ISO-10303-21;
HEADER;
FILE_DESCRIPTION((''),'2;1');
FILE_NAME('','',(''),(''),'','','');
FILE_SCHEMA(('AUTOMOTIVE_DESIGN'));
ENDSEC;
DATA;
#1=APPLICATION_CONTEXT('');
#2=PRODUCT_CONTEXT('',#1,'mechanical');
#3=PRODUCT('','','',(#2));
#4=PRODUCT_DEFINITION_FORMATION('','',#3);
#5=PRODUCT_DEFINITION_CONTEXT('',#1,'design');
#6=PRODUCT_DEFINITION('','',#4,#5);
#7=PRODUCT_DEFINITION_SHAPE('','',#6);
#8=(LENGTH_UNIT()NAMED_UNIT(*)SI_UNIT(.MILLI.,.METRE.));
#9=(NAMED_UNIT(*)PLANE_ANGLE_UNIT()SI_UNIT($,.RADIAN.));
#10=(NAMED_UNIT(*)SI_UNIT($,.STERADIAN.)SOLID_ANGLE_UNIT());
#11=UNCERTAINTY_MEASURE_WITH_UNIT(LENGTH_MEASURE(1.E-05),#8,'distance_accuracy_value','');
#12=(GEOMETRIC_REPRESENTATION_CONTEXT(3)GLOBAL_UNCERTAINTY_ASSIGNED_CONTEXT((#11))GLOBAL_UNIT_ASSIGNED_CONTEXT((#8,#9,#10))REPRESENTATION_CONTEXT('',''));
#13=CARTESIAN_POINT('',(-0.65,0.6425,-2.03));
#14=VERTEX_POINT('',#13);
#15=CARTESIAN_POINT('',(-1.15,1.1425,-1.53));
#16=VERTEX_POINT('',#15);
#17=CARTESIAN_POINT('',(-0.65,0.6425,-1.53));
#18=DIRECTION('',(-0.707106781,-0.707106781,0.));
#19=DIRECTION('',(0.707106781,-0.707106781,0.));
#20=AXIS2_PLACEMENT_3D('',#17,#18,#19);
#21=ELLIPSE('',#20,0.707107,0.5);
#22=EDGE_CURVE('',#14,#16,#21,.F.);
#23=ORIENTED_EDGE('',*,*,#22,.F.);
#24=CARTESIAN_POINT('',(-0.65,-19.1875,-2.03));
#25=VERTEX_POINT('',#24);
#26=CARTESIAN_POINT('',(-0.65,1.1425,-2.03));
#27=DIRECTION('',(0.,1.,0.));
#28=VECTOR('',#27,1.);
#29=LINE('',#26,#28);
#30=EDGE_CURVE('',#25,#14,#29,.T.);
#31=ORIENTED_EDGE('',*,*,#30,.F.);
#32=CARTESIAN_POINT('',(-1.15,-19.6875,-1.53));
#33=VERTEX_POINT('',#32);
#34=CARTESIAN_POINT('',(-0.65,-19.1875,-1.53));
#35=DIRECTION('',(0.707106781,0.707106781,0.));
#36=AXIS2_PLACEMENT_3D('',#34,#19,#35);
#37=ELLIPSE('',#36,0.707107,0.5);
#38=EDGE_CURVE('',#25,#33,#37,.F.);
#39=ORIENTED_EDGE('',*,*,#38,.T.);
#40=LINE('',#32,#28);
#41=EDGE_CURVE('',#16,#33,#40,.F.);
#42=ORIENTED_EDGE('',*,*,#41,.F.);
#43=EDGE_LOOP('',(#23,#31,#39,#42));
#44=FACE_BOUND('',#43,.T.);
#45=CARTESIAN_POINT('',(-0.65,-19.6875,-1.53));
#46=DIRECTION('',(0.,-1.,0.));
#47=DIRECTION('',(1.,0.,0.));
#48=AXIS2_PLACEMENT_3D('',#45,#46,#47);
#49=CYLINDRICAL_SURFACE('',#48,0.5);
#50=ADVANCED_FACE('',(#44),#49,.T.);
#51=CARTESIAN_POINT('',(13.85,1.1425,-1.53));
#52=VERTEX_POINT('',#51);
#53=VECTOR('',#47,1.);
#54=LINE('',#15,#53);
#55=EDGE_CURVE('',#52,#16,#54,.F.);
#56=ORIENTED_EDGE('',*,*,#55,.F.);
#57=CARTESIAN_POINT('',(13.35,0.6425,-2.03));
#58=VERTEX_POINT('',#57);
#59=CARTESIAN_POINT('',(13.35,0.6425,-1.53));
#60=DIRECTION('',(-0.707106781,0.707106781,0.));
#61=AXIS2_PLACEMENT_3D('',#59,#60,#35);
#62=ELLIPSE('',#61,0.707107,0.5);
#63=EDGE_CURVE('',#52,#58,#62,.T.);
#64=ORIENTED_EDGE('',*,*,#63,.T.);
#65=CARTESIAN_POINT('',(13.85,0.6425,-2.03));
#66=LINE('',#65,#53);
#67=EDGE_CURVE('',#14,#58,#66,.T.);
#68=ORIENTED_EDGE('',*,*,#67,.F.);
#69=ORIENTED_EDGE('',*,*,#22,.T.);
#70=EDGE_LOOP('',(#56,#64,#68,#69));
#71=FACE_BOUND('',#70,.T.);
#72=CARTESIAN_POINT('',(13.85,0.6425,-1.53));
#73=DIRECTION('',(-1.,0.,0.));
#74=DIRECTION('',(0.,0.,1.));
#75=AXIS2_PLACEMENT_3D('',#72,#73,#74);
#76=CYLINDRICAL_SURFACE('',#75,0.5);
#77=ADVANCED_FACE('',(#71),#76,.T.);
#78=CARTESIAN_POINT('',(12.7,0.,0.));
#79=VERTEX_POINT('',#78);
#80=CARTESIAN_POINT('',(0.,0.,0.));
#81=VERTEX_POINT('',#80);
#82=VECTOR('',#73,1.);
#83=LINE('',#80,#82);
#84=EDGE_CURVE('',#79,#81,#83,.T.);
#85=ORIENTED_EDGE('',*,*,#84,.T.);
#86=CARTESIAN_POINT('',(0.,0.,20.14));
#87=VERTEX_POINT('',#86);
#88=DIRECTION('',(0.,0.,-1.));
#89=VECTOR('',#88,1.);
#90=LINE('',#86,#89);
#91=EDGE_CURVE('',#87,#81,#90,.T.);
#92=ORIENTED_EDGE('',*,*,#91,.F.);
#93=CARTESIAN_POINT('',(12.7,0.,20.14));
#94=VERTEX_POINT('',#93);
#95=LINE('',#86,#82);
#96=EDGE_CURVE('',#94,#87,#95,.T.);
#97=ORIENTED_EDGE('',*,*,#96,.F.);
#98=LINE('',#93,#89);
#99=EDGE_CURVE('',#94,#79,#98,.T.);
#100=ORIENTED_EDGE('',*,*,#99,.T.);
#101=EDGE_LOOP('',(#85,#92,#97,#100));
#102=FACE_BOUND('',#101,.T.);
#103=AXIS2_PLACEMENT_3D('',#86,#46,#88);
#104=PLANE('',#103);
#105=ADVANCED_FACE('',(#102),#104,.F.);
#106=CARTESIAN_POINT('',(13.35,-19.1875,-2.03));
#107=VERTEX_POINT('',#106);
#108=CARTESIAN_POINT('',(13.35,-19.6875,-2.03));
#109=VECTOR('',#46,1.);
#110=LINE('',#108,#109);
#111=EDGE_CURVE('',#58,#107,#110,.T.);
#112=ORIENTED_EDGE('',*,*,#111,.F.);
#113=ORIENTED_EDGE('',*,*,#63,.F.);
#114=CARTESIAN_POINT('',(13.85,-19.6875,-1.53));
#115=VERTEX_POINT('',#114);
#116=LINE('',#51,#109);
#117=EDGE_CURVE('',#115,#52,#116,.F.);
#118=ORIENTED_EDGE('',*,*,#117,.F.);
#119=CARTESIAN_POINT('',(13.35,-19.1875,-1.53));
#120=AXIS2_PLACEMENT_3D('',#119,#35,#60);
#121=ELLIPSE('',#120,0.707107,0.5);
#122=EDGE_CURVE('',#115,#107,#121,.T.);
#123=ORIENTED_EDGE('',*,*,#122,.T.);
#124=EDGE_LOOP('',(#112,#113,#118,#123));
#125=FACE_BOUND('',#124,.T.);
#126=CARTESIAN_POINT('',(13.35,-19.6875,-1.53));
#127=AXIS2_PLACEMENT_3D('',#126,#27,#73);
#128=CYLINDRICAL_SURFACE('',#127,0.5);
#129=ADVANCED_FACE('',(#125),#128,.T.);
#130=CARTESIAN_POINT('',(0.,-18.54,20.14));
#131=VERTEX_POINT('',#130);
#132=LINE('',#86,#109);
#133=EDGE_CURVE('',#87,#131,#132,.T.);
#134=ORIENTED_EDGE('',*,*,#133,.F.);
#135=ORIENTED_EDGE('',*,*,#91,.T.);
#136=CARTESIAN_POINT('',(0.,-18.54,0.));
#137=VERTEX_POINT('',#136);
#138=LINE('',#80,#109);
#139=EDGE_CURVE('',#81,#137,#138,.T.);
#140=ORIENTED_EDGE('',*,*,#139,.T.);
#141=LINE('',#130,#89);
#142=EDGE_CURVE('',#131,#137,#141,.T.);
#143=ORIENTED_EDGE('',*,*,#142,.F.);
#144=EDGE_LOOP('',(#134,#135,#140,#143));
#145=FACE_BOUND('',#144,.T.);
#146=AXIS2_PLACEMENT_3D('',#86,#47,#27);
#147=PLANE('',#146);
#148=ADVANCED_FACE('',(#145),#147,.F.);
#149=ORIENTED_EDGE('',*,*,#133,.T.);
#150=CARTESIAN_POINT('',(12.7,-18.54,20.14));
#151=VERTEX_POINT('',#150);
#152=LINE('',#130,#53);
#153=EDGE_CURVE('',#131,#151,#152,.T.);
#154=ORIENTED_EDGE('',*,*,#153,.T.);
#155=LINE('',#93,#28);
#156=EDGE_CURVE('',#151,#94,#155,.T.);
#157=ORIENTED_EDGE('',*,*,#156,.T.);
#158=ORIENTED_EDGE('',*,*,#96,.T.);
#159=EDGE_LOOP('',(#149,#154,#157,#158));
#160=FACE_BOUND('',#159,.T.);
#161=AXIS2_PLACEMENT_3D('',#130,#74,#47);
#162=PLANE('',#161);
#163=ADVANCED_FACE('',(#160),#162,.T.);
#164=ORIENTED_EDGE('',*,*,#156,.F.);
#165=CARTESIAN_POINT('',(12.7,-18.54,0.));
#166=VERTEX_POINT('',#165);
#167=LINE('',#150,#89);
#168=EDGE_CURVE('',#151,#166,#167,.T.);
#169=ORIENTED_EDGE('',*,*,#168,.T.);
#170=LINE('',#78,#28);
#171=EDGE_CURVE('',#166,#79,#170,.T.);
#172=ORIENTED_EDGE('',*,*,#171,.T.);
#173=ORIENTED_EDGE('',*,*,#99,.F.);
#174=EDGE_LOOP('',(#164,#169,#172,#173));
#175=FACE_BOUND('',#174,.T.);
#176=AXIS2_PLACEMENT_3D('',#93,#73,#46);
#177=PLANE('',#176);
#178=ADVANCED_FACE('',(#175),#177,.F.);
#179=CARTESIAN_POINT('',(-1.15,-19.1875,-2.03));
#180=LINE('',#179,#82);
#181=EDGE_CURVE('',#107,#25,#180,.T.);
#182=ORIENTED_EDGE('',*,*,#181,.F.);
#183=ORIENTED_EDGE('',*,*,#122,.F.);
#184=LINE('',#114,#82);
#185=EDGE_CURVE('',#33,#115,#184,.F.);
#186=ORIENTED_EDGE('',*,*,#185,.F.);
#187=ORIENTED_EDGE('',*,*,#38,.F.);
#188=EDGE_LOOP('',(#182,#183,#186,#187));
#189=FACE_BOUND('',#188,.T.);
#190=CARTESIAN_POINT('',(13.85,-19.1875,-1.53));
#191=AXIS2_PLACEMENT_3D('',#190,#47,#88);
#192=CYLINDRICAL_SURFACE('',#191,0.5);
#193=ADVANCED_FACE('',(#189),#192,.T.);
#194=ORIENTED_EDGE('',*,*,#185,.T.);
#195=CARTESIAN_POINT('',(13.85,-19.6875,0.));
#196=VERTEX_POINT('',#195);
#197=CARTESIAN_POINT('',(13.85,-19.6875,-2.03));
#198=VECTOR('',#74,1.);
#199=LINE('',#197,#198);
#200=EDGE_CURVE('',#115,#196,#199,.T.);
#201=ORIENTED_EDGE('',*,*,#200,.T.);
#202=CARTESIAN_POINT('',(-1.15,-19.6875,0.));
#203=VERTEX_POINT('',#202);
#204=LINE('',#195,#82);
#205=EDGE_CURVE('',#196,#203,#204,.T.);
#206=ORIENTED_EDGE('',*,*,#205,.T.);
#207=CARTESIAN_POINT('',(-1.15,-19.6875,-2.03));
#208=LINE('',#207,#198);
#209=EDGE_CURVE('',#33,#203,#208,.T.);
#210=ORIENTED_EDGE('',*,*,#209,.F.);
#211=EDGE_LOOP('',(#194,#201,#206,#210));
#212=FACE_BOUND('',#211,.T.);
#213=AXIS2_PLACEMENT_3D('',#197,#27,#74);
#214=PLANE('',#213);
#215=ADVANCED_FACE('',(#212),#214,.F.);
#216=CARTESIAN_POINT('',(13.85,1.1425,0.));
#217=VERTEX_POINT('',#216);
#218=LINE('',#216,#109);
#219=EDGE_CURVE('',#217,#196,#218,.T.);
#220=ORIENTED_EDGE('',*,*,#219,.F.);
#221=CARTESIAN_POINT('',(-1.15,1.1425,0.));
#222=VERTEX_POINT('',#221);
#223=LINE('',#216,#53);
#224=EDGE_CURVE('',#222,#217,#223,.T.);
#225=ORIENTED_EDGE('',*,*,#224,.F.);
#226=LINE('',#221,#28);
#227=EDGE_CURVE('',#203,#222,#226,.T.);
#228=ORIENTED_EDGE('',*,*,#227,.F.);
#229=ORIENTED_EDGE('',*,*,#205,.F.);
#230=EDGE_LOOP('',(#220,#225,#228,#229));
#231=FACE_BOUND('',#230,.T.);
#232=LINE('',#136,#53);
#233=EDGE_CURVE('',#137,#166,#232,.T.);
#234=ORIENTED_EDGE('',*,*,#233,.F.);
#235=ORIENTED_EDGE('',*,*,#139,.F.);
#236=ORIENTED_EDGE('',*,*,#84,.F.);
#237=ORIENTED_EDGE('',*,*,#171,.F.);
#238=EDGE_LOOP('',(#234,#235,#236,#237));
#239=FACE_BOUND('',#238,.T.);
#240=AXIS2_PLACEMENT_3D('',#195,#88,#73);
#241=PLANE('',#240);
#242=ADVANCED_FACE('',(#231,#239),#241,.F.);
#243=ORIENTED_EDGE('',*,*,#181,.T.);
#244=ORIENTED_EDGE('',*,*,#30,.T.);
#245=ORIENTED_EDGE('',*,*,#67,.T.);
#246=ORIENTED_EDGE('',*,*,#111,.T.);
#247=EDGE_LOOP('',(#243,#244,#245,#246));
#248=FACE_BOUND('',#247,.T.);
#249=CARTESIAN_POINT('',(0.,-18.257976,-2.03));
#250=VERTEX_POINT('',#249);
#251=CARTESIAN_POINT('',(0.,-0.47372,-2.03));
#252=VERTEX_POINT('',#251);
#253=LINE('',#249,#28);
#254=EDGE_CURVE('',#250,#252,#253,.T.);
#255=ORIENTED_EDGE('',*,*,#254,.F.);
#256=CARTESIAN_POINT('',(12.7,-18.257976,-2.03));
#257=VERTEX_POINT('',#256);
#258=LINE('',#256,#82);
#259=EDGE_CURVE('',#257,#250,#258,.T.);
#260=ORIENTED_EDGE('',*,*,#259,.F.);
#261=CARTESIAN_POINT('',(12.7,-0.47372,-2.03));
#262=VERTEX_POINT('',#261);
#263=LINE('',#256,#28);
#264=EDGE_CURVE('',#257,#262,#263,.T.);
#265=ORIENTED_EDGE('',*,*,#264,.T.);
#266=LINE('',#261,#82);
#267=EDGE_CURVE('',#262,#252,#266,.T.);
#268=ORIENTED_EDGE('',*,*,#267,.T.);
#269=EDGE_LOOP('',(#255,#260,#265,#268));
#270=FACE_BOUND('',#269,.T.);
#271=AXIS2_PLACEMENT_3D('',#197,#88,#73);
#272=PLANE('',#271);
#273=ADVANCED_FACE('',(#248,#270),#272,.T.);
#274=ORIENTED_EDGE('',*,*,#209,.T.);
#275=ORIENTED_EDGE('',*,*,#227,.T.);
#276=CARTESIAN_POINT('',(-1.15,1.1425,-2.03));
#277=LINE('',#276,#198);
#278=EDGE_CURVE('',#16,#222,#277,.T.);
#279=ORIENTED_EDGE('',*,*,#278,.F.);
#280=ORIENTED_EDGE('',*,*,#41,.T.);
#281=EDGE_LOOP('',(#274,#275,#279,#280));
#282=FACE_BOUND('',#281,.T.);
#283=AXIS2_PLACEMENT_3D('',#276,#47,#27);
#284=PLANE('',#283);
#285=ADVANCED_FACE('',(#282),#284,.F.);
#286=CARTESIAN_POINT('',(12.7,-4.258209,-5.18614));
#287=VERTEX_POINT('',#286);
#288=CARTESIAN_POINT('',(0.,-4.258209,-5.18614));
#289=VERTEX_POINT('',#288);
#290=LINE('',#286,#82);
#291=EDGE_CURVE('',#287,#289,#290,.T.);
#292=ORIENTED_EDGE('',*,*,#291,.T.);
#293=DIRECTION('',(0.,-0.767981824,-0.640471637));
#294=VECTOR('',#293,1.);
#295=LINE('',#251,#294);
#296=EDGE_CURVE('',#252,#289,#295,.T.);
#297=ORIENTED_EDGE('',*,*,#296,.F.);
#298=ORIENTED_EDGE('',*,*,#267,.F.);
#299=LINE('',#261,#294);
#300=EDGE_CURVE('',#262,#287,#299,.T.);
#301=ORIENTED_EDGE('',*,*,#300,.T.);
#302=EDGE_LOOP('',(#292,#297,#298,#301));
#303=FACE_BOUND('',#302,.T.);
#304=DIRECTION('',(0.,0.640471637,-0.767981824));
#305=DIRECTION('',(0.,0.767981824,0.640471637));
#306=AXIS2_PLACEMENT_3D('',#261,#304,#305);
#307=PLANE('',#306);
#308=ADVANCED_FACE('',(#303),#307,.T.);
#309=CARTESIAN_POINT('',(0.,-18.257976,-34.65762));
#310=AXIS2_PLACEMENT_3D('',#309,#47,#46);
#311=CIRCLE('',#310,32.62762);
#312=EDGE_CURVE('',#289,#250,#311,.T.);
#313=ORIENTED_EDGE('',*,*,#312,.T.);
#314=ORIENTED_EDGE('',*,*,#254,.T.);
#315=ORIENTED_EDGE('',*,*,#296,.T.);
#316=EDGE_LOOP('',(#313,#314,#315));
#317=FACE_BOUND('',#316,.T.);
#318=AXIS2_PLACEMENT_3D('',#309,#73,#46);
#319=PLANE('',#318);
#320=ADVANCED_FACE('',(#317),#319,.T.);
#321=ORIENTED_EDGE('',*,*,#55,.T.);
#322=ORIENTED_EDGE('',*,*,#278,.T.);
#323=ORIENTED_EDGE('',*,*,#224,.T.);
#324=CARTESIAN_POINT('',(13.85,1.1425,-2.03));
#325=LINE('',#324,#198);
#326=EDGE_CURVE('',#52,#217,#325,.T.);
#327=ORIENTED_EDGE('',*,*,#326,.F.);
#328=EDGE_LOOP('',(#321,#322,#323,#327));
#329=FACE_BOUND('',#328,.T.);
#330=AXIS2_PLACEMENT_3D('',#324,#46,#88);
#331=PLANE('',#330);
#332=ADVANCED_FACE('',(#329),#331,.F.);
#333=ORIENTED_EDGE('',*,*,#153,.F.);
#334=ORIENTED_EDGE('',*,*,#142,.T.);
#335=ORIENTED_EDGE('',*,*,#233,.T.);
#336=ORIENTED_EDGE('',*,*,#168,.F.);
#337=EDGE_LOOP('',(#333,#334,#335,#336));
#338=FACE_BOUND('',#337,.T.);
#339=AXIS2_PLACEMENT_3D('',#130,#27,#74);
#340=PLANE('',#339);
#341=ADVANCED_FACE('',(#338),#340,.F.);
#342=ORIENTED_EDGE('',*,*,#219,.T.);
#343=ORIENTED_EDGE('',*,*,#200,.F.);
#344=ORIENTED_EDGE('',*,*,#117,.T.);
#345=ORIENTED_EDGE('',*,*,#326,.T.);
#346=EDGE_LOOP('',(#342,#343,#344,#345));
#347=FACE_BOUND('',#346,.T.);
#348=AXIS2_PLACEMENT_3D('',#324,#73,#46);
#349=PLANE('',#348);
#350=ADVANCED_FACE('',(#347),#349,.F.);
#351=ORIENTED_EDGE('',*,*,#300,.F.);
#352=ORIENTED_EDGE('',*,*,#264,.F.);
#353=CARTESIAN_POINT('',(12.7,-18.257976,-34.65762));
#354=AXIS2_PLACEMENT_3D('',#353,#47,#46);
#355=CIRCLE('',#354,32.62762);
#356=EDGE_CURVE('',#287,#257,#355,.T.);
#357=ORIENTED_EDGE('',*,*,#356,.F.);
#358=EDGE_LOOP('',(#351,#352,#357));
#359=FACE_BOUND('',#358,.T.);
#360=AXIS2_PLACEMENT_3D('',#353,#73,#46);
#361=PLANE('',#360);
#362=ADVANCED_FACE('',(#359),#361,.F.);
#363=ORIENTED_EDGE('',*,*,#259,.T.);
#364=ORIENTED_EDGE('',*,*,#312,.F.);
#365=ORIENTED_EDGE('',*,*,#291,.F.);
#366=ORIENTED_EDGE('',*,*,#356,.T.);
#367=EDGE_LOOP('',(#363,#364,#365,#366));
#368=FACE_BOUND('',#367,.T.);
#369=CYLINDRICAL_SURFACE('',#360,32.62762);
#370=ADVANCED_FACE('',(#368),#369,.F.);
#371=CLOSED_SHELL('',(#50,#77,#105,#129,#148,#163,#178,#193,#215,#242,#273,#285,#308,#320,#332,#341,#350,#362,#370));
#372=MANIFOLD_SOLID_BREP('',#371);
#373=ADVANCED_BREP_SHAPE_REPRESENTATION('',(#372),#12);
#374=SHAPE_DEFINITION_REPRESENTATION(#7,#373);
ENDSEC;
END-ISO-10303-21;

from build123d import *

# Parameters (mm, degrees)
SKETCH1_W      = 12.7
SKETCH1_H      = 18.54
EXTRUDE1_DEPTH = 20.14
SKETCH2_W      = 15
SKETCH2_H      = 20.83
EXTRUDE2_DEPTH = 2.03
FILLET1_R      = 0.5
EXTRUDE3_DEPTH = 12.7


with BuildPart() as part:
    # Sketch1 → Extrude1 (new body)
    with BuildSketch(Plane.XY):
        with Locations((6.35, -9.27)):
            Rectangle(SKETCH1_W, SKETCH1_H)
    extrude(amount=EXTRUDE1_DEPTH)

    # Sketch2 → Extrude2 (add)
    with BuildSketch(Plane(origin=(0, 0, 0), x_dir=(-1, 0, 0), z_dir=(0, 0, -1))):
        with Locations((-6.35, -9.2725)):
            Rectangle(SKETCH2_W, SKETCH2_H)
    extrude(amount=EXTRUDE2_DEPTH)

    # Fillet1
    fillet1_edges = [part.edges().sort_by_distance(p)[0] for p in [
        (6.35, 1.1425, -2.03),
        (13.85, -9.2725, -2.03),
        (-1.15, -9.2725, -2.03),
        (6.35, -19.6875, -2.03),
    ]]
    fillet(fillet1_edges, radius=FILLET1_R)

    # Sketch3 → Extrude3 (add)
    with BuildSketch(Plane.ZY):
        with BuildLine():
            Line((-2.03, -18.257976245), (-2.03, -0.473719642))
            Line((-2.03, -0.473719642), (-5.186140292, -4.258209447))
            ThreePointArc((-5.186140292, -4.258209447), (-2.828813648, -11.082415432), (-2.03, -18.257976245))
        make_face()
    extrude(amount=-EXTRUDE3_DEPTH)


solid = part.part
